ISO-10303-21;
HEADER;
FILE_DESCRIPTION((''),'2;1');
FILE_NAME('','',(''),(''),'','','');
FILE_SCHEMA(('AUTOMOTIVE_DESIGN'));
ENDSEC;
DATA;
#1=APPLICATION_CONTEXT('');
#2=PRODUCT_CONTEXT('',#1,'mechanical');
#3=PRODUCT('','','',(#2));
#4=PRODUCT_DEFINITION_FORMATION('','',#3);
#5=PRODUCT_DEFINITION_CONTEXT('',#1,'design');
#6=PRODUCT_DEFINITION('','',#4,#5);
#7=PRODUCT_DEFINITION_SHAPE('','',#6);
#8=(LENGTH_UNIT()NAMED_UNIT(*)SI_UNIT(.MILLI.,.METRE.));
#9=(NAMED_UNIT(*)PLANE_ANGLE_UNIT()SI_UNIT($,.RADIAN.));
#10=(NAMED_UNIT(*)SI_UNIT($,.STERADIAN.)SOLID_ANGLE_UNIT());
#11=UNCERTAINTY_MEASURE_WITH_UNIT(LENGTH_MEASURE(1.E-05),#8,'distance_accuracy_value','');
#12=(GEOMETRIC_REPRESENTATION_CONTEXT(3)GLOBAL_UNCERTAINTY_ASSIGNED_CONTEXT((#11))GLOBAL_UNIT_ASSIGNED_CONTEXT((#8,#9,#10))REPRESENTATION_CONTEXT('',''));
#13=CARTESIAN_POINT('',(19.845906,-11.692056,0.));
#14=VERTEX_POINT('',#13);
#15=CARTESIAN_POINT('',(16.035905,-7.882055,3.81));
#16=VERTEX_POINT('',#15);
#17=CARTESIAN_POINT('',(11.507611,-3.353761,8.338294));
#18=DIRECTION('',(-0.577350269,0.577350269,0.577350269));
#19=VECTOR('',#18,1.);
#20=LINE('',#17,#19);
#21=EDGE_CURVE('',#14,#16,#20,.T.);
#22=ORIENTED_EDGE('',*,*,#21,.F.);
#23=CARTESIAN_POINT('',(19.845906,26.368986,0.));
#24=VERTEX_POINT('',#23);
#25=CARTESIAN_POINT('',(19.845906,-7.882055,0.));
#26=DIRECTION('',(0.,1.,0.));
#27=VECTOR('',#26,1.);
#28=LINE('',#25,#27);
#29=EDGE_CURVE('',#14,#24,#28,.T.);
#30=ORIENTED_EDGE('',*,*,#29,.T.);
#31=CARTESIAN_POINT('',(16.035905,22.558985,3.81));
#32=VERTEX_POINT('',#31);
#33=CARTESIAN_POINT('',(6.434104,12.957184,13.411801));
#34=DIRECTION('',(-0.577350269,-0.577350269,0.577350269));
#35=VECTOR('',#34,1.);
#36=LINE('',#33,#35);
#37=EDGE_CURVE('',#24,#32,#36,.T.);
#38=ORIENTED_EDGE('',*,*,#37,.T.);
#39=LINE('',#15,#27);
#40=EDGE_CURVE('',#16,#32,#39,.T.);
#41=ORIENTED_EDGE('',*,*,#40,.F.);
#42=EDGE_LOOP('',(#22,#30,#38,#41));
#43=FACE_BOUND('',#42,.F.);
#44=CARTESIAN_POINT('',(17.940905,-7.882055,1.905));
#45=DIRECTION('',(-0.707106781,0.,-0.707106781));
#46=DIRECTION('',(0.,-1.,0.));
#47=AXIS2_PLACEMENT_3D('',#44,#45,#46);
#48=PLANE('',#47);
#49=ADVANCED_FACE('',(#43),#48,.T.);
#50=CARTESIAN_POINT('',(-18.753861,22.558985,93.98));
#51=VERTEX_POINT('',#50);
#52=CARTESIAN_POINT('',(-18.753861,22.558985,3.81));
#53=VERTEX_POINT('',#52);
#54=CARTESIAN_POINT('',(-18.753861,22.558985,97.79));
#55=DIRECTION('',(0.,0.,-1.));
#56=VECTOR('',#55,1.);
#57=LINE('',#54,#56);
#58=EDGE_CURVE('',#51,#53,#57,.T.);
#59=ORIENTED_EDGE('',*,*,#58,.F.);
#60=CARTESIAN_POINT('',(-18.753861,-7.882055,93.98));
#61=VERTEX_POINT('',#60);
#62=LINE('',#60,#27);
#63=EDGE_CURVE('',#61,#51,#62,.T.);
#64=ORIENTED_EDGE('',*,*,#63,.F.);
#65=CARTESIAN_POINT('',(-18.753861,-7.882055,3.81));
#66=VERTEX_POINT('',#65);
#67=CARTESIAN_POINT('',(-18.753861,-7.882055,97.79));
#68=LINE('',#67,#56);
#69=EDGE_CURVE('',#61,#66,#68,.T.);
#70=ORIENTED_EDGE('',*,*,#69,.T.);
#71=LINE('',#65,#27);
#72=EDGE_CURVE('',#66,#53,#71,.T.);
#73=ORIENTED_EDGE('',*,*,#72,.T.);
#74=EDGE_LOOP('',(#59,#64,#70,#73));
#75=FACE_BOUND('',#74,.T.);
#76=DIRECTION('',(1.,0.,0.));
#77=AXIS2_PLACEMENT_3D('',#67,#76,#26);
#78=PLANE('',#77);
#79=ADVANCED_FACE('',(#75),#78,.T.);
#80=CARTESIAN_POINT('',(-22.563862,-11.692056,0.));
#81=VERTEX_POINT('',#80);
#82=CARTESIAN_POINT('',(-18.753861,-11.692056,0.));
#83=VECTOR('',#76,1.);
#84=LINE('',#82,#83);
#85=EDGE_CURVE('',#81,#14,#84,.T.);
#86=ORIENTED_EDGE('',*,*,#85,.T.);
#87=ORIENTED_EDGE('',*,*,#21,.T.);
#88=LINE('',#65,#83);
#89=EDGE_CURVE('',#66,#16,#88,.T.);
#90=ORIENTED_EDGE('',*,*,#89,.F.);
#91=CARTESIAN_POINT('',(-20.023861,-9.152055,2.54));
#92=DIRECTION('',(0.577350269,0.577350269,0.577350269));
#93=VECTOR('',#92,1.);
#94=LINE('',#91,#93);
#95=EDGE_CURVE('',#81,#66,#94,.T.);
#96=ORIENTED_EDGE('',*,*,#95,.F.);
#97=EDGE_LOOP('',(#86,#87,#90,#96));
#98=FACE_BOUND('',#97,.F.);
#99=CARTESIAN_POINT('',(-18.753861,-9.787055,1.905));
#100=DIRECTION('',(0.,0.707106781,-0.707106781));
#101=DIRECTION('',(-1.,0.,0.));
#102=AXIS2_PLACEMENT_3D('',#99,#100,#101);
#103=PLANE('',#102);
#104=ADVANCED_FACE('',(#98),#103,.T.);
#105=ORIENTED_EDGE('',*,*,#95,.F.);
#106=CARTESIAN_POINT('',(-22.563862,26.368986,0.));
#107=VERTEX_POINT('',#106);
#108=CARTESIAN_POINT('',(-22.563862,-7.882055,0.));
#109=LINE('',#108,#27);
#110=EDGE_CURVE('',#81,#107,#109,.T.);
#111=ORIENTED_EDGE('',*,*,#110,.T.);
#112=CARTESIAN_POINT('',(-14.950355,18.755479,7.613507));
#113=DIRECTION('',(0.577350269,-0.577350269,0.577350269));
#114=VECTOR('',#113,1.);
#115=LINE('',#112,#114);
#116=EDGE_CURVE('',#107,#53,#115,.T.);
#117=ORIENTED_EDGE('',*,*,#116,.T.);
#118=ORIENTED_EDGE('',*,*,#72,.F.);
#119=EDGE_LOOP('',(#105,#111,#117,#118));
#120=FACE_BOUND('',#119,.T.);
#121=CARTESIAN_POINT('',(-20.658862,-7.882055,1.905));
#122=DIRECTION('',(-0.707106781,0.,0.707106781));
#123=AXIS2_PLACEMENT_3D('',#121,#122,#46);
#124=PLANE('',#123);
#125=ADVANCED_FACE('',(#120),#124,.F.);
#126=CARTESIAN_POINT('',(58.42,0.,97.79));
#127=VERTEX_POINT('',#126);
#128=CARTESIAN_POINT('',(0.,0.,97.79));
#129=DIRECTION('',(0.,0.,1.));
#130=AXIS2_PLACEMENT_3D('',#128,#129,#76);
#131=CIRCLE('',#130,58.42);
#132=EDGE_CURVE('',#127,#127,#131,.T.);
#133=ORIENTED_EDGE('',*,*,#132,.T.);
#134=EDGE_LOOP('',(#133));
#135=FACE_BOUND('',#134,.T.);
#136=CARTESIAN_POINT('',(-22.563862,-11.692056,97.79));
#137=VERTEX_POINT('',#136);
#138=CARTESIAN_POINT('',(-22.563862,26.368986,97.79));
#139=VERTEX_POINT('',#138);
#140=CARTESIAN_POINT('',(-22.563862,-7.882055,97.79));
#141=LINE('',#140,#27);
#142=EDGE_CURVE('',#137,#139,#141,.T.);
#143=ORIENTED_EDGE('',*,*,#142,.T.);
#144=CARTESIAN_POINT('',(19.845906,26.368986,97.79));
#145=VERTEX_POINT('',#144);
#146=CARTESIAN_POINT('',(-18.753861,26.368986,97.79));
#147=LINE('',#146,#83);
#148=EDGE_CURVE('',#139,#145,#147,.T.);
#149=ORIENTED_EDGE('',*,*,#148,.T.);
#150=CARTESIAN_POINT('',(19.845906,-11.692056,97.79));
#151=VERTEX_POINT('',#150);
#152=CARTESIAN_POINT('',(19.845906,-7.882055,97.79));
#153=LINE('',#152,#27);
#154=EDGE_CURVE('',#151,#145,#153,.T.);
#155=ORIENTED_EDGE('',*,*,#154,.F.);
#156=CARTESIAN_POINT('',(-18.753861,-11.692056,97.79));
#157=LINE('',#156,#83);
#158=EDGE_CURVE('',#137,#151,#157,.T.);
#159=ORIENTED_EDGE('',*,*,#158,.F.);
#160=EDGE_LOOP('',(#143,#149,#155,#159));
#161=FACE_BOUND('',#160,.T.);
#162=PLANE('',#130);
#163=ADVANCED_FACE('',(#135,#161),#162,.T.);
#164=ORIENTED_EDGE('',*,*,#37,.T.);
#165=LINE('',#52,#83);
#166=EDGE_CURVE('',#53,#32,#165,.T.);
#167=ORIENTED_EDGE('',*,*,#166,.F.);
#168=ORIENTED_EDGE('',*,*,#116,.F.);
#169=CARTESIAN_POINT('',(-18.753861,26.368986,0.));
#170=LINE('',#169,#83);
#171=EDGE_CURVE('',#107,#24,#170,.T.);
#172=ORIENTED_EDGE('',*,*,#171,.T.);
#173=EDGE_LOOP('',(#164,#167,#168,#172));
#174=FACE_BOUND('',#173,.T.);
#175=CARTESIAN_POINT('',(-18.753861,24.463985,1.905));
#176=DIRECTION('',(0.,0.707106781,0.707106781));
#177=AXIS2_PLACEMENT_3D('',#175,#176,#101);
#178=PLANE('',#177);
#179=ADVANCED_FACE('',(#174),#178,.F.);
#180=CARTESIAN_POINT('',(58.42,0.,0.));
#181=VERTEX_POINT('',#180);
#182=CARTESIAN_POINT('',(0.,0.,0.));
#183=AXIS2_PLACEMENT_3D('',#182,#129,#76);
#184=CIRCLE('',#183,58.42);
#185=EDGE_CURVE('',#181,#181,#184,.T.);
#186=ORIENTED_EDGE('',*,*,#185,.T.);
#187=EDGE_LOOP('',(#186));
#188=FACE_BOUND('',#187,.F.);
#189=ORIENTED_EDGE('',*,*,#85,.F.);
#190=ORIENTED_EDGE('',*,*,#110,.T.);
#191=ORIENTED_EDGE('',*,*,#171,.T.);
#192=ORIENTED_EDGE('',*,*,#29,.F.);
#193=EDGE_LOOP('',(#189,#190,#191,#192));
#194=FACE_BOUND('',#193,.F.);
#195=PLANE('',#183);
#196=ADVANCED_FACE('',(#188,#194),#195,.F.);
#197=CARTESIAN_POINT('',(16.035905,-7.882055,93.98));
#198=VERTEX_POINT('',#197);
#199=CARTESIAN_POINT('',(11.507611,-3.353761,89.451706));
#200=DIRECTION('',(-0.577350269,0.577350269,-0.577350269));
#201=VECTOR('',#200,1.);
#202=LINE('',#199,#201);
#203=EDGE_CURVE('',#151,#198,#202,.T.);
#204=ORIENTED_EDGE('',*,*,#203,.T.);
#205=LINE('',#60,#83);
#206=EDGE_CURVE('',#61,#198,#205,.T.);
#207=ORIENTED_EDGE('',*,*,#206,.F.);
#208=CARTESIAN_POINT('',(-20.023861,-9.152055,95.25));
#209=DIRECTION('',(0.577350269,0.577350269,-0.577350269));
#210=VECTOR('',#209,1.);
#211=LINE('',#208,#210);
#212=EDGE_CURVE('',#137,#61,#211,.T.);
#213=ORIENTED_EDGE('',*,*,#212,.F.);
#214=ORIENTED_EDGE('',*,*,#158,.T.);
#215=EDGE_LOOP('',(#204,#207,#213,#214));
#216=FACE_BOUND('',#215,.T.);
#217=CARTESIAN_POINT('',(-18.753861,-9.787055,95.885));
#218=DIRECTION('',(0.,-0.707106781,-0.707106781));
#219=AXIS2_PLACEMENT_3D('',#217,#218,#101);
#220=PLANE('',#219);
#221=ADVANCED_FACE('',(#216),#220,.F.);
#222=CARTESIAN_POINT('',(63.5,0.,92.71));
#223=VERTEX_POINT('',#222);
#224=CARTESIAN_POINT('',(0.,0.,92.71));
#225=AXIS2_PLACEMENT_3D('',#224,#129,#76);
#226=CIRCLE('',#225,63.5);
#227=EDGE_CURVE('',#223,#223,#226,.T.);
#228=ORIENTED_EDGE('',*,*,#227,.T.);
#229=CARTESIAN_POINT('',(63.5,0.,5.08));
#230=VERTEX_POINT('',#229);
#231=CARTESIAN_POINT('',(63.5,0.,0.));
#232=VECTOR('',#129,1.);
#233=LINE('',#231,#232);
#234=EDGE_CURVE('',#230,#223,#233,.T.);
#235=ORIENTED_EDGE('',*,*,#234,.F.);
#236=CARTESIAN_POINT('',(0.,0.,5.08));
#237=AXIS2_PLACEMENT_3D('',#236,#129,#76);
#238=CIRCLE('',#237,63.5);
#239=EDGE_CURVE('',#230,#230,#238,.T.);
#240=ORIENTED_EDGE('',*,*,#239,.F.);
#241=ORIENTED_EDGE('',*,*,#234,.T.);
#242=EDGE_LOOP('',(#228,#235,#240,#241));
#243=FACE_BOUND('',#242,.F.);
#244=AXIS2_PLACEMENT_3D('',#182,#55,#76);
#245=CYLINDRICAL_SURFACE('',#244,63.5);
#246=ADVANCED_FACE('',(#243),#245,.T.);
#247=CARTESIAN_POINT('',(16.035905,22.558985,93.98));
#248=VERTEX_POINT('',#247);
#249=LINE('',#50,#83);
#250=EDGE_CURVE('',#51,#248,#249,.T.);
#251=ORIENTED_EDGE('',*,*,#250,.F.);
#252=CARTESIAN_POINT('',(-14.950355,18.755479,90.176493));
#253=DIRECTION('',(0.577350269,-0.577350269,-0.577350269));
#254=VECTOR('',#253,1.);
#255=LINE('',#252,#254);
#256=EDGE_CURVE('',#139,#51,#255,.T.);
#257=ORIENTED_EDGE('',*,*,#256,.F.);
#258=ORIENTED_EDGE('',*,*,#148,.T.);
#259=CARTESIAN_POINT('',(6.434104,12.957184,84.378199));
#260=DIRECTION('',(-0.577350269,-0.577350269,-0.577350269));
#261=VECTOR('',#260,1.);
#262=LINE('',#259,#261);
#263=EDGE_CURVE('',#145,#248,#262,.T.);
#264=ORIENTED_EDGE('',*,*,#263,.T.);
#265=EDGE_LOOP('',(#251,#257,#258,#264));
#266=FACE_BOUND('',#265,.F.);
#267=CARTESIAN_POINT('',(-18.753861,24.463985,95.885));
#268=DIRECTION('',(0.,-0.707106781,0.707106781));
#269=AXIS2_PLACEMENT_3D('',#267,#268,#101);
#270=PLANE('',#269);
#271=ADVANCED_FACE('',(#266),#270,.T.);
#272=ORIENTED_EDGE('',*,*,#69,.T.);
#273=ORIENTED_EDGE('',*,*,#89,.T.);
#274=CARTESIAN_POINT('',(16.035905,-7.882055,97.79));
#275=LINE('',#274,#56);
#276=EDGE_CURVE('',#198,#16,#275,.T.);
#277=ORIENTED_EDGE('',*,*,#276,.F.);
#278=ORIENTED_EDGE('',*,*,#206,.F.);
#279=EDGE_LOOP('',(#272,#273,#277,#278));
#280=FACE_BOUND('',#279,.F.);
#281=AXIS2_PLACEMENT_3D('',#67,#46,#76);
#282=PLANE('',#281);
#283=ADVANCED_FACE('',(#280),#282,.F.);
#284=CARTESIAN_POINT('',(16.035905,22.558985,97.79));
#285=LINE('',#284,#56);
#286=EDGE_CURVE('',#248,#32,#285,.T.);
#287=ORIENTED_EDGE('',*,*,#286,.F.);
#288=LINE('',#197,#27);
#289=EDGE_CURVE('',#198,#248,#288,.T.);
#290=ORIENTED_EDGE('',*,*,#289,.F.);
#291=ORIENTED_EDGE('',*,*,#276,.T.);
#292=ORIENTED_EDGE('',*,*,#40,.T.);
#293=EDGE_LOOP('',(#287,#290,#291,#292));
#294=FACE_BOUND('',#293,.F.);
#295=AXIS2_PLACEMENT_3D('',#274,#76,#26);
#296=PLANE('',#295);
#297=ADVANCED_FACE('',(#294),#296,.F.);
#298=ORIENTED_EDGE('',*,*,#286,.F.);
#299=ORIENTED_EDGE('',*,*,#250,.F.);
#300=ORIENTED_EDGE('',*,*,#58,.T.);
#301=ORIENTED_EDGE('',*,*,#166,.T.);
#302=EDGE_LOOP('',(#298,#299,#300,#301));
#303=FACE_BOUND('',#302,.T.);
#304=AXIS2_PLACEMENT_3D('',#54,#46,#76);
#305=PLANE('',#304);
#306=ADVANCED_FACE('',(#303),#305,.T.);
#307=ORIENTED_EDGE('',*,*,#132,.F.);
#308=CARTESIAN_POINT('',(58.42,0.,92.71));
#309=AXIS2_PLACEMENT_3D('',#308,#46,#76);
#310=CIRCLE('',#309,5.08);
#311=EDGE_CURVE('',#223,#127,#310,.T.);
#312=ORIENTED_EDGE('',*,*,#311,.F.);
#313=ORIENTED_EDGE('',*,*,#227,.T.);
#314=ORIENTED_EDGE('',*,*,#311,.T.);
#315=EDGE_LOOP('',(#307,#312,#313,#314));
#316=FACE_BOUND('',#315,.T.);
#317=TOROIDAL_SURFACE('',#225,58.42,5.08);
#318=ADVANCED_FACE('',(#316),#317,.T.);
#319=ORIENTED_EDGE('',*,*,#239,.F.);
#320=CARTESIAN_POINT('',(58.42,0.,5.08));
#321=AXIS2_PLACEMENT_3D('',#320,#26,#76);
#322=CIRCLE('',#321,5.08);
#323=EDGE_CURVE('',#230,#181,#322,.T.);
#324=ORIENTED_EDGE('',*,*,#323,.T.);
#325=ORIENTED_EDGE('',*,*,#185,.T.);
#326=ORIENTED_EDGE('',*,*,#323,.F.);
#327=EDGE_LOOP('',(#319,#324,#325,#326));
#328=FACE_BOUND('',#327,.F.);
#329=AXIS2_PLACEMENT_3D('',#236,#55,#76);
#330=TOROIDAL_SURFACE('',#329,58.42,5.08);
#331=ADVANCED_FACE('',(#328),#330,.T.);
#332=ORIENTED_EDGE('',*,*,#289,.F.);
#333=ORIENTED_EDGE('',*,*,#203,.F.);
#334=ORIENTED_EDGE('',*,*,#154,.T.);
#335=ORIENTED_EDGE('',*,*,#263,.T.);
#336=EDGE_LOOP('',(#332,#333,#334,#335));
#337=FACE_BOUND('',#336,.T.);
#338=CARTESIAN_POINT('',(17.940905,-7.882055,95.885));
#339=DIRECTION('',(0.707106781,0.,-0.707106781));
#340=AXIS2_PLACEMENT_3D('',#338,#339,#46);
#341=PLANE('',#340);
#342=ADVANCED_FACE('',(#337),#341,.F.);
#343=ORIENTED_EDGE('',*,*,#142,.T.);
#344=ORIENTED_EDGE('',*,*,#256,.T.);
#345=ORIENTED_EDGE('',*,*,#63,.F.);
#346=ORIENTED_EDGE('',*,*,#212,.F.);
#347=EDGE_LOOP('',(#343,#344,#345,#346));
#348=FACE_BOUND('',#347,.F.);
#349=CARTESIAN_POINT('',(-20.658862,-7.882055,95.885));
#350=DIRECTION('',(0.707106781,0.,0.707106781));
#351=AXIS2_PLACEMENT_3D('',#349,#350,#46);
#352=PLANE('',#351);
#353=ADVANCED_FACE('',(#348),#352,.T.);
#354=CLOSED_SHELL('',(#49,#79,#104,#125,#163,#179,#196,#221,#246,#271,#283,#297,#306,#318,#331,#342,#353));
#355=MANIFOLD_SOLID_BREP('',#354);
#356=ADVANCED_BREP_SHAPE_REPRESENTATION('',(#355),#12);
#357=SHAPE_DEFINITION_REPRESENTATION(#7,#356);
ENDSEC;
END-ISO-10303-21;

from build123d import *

# Parameters (mm, degrees)
F0_R     = 63.5
F1_DEPTH = 97.79
F2_W     = 34.789767
F2_H     = 30.441041
F3_DEPTH = 97.791
F4_R     = 5.08
F5_SIZE  = 3.81


with BuildPart() as f1:
    # F0 (on Top) → F1 (new body)
    with BuildSketch(Plane.XY):
        Circle(F0_R)
    extrude(amount=F1_DEPTH)

    # F2 (on face) → F3 (cut, through all)
    with BuildSketch(Plane.XY.offset(97.79)):
        with Locations((-1.358978, 7.338465)):
            Rectangle(F2_W, F2_H)
    extrude(amount=-F3_DEPTH, mode=Mode.SUBTRACT)

    # F4
    f4_edges = [f1.edges().sort_by_distance(p)[0] for p in [
        (-63.5, 0, 97.79),
        (-63.5, 0, 0),
    ]]
    fillet(f4_edges, radius=F4_R)

    # F5
    f5_edges = [f1.edges().sort_by_distance(p)[0] for p in [
        (-1.358978, -7.882056, 0),
        (16.035905, 7.338465, 0),
        (-1.358978, 22.558985, 0),
        (-18.753862, 7.338465, 0),
        (16.035905, 7.338465, 97.79),
        (-1.358978, 22.558985, 97.79),
        (-18.753862, 7.338465, 97.79),
        (-1.358978, -7.882056, 97.79),
    ]]
    chamfer(f5_edges, length=F5_SIZE)


solid = f1.part
